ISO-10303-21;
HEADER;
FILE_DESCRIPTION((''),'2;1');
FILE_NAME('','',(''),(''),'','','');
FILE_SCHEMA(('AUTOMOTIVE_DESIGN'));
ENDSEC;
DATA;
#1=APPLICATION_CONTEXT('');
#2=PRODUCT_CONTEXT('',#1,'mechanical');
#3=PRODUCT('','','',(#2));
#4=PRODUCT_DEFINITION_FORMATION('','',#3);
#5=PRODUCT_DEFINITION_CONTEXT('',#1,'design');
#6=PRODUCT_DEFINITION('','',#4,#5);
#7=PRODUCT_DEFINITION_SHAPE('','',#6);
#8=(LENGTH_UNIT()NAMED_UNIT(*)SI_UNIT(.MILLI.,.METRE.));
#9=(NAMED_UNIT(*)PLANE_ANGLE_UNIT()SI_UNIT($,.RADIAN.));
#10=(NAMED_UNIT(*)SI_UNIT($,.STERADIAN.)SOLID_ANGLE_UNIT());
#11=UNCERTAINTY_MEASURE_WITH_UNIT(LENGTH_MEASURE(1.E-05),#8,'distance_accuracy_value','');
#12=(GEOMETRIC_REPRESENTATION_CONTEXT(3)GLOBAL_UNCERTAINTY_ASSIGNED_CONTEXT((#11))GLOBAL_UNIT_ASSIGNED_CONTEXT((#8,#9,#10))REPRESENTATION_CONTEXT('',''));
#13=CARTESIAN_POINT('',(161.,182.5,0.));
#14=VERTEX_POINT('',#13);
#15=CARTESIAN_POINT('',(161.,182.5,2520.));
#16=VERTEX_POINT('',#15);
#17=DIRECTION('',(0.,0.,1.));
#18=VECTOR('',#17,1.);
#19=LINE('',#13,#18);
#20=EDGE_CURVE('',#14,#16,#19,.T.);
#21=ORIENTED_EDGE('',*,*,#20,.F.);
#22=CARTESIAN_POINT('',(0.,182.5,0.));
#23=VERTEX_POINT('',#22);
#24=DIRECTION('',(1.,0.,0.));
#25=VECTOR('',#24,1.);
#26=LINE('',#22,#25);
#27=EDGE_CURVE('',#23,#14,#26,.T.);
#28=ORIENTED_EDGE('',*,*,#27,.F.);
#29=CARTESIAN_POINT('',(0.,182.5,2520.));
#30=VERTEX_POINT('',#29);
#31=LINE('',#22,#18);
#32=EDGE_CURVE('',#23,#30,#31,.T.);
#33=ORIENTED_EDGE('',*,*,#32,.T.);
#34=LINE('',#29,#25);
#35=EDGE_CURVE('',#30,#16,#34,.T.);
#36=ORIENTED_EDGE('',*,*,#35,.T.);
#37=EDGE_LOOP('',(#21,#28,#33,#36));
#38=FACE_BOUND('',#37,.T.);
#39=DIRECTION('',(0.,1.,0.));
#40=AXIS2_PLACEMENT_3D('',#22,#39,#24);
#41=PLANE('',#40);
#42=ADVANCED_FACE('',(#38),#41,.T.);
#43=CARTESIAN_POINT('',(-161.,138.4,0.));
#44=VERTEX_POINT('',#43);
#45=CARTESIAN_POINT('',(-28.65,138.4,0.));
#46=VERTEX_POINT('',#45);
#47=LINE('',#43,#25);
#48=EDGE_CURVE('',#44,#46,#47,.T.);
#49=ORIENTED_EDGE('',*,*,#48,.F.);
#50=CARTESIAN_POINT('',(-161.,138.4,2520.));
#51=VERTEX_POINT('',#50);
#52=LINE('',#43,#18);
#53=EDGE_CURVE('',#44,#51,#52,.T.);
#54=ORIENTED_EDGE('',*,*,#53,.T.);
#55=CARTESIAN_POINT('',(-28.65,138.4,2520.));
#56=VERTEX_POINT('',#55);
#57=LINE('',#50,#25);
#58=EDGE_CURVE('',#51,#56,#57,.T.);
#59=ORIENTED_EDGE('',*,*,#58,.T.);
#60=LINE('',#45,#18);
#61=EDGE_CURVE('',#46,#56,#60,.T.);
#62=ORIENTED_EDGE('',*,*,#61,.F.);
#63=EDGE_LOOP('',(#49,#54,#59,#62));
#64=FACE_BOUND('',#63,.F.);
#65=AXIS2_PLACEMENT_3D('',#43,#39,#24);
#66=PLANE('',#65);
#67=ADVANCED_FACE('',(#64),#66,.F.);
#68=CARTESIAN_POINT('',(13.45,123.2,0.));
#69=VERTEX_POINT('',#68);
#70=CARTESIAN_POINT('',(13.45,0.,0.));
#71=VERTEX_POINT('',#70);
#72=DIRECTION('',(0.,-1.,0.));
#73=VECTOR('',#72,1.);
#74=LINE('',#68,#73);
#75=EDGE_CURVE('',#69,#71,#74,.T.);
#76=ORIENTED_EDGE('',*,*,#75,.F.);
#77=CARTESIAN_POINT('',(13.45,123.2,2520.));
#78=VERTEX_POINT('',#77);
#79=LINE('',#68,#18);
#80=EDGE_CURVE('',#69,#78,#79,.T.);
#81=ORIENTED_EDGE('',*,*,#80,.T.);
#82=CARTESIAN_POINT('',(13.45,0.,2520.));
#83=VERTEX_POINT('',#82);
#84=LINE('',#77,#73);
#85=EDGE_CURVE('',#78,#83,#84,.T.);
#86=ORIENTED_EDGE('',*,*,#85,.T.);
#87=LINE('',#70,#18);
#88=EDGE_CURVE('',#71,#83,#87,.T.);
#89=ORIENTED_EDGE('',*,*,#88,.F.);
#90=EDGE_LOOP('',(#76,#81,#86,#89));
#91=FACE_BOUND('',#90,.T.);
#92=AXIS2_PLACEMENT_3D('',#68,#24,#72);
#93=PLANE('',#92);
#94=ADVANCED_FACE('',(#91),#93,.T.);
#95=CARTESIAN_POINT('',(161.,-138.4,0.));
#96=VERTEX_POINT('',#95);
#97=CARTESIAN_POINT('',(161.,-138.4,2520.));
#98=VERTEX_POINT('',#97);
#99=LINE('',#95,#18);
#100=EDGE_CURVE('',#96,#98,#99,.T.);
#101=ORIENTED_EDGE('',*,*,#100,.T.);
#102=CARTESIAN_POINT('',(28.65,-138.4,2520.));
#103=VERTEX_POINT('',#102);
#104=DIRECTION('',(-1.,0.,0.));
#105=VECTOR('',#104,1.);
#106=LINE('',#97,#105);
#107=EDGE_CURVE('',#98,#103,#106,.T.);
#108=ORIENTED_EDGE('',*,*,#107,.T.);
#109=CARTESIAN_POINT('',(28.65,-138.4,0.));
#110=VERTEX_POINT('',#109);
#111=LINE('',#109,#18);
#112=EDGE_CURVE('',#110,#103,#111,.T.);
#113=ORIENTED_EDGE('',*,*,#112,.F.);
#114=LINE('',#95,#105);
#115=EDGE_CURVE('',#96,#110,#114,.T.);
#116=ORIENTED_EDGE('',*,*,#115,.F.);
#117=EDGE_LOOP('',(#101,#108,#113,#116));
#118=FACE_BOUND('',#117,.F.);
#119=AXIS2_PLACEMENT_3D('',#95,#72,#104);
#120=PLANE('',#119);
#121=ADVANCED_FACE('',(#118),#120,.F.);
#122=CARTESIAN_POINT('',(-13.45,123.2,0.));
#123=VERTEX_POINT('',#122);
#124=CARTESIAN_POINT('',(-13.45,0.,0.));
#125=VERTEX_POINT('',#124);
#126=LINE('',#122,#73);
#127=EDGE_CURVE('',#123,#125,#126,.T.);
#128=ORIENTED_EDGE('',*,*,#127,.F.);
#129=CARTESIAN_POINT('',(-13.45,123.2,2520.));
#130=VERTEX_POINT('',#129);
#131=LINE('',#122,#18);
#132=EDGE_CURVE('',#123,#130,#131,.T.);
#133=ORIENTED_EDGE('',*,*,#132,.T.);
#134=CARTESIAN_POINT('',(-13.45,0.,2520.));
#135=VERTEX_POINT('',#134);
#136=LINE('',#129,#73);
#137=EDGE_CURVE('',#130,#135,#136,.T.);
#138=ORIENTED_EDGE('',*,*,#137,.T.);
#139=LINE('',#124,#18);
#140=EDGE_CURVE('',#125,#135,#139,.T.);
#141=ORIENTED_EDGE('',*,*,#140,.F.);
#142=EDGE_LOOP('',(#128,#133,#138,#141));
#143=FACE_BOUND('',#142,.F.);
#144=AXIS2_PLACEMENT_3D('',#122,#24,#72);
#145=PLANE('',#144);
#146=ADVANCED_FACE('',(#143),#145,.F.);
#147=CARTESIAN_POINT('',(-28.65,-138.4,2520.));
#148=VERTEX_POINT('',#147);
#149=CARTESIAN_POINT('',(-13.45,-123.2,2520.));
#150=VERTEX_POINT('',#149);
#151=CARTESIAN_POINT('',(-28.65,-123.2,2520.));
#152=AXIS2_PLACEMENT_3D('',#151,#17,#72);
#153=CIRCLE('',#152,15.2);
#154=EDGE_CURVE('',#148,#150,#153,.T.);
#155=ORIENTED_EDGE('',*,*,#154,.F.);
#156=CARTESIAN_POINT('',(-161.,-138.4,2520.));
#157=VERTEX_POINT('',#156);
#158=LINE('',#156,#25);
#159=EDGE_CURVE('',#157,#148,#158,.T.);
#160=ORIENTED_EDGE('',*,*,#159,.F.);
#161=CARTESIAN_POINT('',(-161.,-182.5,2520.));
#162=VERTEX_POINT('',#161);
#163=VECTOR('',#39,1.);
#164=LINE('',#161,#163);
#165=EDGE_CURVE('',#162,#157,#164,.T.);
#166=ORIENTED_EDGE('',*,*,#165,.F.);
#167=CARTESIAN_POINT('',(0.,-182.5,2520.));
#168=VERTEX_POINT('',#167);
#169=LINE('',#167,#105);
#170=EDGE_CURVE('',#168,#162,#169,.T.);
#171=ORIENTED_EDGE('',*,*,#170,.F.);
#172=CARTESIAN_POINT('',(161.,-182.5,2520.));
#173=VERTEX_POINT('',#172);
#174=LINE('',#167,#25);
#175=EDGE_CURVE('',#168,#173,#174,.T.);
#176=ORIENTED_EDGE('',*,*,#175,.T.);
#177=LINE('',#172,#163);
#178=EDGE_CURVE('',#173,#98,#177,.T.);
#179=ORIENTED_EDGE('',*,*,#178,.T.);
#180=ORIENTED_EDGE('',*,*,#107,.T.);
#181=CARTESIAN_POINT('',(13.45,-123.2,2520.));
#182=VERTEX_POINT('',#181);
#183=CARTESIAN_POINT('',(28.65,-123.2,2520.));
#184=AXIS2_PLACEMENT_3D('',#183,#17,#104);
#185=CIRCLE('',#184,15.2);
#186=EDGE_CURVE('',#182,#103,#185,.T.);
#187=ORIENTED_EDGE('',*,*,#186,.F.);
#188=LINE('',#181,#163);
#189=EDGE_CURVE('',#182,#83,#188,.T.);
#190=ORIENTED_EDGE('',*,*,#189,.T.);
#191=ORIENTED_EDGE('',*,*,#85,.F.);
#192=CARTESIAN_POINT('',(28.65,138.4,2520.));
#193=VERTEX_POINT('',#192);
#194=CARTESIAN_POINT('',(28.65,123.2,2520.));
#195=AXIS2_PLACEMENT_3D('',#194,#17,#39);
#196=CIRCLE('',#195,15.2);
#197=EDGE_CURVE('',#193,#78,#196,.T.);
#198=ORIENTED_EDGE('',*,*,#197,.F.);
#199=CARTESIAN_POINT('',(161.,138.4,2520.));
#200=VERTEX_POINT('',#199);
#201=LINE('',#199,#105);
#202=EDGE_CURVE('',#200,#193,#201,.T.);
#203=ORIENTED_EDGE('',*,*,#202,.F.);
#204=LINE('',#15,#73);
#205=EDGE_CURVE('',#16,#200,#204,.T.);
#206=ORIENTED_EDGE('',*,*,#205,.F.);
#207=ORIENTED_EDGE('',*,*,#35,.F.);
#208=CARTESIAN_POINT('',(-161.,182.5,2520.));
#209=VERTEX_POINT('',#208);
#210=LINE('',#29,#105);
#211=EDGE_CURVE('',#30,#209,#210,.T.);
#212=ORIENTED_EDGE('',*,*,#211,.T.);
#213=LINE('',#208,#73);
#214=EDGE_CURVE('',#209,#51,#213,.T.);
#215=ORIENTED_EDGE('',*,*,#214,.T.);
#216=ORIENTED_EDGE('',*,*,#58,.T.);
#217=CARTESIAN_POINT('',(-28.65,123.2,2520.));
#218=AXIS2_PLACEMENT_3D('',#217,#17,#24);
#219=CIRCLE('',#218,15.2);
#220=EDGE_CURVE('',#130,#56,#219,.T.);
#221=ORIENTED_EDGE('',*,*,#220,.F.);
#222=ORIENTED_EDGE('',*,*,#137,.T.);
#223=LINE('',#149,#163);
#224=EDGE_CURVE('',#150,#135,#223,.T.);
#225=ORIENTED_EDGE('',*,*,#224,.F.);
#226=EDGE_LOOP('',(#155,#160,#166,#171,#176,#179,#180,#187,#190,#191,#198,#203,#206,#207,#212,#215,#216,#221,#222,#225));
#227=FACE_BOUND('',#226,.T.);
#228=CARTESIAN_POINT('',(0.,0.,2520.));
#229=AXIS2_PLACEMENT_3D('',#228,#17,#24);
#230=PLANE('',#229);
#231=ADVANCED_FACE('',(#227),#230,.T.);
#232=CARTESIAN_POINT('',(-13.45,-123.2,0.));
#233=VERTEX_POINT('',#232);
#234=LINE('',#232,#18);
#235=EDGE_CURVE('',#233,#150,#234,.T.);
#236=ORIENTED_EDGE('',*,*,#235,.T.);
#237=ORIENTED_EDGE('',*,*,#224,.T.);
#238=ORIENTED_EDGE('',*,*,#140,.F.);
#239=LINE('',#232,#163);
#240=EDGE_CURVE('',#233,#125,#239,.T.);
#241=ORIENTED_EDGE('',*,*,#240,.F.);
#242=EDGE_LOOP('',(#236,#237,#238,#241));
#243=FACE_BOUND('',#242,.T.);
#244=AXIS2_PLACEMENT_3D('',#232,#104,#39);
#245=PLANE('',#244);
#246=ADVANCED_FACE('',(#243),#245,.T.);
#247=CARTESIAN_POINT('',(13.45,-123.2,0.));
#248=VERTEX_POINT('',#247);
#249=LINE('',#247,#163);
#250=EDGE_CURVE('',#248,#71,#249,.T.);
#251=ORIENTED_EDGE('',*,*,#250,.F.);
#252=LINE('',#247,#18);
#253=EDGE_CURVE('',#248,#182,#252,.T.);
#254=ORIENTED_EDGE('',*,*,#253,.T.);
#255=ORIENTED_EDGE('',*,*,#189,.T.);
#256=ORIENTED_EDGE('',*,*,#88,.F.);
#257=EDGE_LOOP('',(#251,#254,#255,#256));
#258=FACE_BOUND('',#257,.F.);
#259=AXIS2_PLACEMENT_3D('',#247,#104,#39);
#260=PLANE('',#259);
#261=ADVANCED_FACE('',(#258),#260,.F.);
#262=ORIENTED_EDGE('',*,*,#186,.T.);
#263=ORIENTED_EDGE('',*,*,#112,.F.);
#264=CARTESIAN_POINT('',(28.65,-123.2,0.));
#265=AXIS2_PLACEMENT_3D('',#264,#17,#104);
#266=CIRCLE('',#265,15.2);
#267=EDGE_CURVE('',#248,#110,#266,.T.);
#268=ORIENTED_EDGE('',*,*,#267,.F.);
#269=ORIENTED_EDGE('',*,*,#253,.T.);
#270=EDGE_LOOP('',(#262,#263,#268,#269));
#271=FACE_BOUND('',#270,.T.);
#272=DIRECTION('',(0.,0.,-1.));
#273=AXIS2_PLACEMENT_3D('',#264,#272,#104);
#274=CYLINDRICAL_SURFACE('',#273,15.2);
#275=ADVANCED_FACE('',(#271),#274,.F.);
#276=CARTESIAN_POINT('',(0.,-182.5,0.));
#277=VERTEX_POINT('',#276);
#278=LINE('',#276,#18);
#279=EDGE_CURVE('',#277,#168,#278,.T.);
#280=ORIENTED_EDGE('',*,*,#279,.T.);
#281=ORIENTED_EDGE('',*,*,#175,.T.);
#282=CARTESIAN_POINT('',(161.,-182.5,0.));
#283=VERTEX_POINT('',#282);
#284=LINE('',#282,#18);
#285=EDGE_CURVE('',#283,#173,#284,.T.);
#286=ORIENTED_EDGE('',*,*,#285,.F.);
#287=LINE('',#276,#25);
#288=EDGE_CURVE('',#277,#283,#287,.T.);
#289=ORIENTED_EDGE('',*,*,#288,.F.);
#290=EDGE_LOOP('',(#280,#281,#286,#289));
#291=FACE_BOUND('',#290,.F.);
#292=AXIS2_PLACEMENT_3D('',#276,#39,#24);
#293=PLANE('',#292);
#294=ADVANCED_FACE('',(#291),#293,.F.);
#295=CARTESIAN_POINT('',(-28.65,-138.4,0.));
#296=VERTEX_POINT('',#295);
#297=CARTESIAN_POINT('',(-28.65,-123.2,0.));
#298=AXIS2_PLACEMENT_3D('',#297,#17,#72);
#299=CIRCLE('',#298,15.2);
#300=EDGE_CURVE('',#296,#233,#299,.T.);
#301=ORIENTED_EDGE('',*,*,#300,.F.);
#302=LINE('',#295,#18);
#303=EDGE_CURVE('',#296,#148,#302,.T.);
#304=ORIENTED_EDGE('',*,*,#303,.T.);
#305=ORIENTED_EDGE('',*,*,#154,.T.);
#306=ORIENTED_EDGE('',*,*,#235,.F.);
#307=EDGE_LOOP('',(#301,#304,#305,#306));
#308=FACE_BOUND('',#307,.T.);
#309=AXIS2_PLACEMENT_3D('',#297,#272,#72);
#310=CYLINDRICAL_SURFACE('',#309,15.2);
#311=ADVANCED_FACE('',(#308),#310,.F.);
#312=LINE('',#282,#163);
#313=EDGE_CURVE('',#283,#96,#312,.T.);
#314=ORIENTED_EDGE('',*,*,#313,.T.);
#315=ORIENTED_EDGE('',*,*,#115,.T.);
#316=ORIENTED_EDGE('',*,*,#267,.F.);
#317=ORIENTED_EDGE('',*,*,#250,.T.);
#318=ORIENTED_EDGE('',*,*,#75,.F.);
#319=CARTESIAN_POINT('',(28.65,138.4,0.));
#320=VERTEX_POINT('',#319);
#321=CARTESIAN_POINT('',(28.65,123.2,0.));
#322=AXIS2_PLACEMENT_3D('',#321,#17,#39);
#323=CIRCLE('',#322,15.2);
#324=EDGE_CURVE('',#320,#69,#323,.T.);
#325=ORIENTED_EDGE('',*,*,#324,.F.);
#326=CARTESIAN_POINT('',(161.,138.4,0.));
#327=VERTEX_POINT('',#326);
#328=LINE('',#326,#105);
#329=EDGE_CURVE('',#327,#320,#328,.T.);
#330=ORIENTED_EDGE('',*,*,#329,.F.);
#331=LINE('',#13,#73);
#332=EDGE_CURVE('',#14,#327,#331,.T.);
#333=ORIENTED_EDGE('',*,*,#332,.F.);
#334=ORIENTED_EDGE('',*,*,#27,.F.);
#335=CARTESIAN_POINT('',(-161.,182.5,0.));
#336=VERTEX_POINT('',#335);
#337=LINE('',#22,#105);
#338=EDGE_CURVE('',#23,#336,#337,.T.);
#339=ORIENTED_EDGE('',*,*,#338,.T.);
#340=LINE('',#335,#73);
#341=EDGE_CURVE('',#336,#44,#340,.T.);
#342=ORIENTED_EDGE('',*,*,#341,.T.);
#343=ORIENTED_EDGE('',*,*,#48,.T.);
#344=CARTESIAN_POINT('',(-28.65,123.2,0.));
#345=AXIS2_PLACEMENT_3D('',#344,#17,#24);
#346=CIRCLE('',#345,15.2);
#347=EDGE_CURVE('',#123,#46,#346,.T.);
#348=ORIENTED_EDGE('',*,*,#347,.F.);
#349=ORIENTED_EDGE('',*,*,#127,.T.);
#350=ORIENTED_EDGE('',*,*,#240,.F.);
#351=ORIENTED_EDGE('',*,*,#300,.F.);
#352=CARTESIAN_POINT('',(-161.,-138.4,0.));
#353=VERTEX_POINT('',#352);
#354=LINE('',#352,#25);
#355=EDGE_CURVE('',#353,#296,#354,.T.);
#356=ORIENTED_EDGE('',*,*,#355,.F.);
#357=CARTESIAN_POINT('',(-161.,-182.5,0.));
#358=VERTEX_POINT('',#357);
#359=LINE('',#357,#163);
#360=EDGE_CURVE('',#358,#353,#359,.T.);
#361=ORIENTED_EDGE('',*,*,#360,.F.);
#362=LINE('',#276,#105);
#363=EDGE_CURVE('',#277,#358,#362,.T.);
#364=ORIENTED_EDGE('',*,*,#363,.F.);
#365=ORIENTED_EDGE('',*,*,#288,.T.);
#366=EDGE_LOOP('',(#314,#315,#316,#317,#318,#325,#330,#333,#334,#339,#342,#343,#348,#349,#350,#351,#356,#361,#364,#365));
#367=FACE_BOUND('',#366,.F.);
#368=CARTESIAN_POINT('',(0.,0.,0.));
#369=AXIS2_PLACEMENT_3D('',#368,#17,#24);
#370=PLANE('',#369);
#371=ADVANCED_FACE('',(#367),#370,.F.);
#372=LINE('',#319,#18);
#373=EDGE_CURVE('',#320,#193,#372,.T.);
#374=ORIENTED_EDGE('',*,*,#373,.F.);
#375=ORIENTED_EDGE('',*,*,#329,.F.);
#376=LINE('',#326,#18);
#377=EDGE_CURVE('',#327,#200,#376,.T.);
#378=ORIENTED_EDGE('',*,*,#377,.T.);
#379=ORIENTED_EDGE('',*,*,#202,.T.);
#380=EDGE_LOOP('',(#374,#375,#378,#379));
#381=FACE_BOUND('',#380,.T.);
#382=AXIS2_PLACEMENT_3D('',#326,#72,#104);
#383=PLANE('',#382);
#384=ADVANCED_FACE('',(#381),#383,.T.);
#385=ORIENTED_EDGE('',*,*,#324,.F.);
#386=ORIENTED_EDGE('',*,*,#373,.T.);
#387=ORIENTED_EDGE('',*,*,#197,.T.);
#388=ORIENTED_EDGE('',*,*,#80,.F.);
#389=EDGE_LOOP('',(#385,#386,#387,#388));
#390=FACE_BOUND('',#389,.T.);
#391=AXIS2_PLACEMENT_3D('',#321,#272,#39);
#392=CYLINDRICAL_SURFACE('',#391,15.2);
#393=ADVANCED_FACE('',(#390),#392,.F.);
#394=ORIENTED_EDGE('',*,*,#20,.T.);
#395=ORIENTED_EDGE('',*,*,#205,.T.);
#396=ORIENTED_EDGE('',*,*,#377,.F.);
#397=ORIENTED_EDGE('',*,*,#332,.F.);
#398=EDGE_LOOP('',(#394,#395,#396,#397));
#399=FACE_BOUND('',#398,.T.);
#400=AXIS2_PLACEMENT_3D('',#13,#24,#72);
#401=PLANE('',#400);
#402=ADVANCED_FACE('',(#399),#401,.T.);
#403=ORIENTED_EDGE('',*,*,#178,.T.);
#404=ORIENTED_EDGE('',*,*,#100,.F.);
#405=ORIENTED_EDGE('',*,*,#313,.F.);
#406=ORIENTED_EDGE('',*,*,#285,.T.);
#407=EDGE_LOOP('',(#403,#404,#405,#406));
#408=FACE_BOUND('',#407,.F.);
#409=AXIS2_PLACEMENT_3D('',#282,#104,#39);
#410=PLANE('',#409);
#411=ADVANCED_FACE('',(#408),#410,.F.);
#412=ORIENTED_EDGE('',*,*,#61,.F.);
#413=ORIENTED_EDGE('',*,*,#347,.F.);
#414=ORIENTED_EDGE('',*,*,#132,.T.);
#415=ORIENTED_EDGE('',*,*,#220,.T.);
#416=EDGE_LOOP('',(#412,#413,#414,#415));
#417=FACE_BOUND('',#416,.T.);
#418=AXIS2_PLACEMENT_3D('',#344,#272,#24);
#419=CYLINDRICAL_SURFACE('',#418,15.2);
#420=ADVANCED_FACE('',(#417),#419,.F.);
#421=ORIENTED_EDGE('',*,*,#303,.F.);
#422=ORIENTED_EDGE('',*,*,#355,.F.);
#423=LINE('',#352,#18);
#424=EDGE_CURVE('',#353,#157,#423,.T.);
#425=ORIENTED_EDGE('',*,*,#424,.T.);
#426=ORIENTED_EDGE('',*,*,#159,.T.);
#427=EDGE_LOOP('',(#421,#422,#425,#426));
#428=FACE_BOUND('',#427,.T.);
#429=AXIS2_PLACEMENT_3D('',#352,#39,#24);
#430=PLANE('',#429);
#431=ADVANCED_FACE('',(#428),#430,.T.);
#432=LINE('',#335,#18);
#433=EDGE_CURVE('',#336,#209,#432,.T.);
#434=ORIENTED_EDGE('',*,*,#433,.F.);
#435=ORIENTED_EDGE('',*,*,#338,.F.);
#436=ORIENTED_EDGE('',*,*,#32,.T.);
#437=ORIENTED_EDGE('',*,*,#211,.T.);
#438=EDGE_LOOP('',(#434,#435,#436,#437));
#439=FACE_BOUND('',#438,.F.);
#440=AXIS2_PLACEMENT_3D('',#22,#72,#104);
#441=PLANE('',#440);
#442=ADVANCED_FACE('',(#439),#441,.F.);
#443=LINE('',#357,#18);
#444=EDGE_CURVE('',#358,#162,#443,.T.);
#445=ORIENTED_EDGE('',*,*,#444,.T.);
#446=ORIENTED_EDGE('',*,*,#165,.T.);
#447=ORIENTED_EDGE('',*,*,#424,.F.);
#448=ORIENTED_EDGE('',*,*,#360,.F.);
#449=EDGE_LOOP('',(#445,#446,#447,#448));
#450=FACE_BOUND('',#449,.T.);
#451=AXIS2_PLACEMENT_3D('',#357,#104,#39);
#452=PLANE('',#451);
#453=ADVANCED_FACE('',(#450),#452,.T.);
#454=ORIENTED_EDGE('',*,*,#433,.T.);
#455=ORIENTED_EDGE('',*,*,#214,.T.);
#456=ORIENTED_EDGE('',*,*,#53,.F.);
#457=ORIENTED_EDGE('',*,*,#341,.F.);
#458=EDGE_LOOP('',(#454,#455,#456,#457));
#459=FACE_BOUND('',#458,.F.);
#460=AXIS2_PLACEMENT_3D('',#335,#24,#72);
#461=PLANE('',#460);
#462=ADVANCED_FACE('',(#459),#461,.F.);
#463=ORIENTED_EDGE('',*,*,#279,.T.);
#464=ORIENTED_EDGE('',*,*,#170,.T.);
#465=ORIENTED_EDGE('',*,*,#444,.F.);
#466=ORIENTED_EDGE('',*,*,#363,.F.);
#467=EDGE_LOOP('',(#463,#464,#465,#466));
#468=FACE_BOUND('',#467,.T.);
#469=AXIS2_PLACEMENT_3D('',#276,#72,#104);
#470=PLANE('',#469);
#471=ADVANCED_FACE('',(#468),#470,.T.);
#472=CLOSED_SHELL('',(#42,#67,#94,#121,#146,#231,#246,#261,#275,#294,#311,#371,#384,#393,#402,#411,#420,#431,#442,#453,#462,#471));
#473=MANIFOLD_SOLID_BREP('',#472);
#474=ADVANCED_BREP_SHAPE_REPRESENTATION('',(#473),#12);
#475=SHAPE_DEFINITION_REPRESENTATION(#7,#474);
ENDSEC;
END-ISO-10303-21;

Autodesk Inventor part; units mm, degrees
ref_plane "YZ Plane" through (0, 0, 0) normal (1, 0, 0) x (0, 1, 0)
ref_plane "Start plane" through (0, 0, 0) normal (0, 0, 1) x (1, 0, 0)
ref_plane "End plane" through (0, 0, 2520) normal (0, 0, 1) x (1, 0, 0)
sketch "Sketch" plane through (0, 0, 0) normal (0, 0, 1) x (1, 0, 0)
  line L0 (-161, -182.5) -> (-161, -138.4)
  line L1 (-161, -138.4) -> (-28.65, -138.4)
  line L2 (-13.45, -123.2) -> (-13.45, 0)
  line L3 (-13.45, 0) -> (0, 0) construction
  line L4 (0, 0) -> (0, -182.5) construction
  line L5 (0, -182.5) -> (-161, -182.5)
  line L6 (-60, 0) -> (80, 0) construction
  line L7 (0, -60) -> (0, 80) construction
  line L8 (161, -182.5) -> (161, -138.4)
  line L9 (161, -138.4) -> (28.65, -138.4)
  line L10 (13.45, -123.2) -> (13.45, 0)
  line L11 (13.45, 0) -> (0, 0) construction
  line L12 (0, -182.5) -> (161, -182.5)
  line L13 (-161, 182.5) -> (-161, 138.4)
  line L14 (-161, 138.4) -> (-28.65, 138.4)
  line L15 (-13.45, 123.2) -> (-13.45, 0)
  line L16 (0, 182.5) -> (-161, 182.5)
  line L17 (161, 182.5) -> (161, 138.4)
  line L18 (161, 138.4) -> (28.65, 138.4)
  line L19 (0, 182.5) -> (161, 182.5)
  line L20 (13.45, 123.2) -> (13.45, 0)
  arc A0 (-13.45, 123.2) -> (-28.65, 138.4) centre (-28.65, 123.2) ccw
  arc A1 (28.65, 138.4) -> (13.45, 123.2) centre (28.65, 123.2) ccw
  arc A2 (13.45, -123.2) -> (28.65, -138.4) centre (28.65, -123.2) ccw
  arc A3 (-28.65, -138.4) -> (-13.45, -123.2) centre (-28.65, -123.2) ccw
  line L21 (0, 108) -> (0, -88) construction
  line L22 (-88, 0) -> (108, 0) construction
  point P0 (-13.45, -138.4)
  point P1 (13.45, -138.4)
  point P2 (-13.45, 138.4)
  point P3 (13.45, 138.4)
  dimension "d1" = 182.5
  dimension "d2" = 44.1
  dimension "d3" = 161
  dimension "d4" = 13.45
  dimension "d10" = 15.2
extrude "Body" add sketch "Sketch" along normal up to surface (2520 mm away) from surface at 0
sketch "Sketch4" plane through (0, 0, 0) normal (0, 0, 1) x (1, 0, 0)
  line L0 (0, 0) -> (10, 0)
ref_plane "Work Plane3" through (0, 0, 0) normal (0, -1, 0) x (1, 0, 0)
sketch "Sketch5" plane through (0, 0, 0) normal (0, -1, 0) x (1, 0, 0)
  line L0 (-2, 0) -> (12, 0) projected
  line L1 (-2, 2520) -> (12, 2520) projected
  dimension "d14" = 2520
equation "\"d1\" = 0.5 * G_H"
equation "\"d2\" = G_T1"
equation "\"d3\" = 0.5 * G_W"
equation "\"d4\" = 0.5 * G_T"
equation "\"d10\" = G_IR"
equation "\"d5\" = G_L"
equation "\"G_W\" = 322"
equation "\"G_H\" = 365"
equation "\"G_T\" = 26.9"
equation "\"G_T1\" = 44.1"
equation "\"G_IR\" = 15.2"
equation "\"G_L\" = d14"
equation "\"G_OFFSET_START\" = 0"
equation "\"G_OFFSET_END\" = 0"
properties part number "AS 3679 - 310 UC - 283 - 2520" material "Steel, Mild"
